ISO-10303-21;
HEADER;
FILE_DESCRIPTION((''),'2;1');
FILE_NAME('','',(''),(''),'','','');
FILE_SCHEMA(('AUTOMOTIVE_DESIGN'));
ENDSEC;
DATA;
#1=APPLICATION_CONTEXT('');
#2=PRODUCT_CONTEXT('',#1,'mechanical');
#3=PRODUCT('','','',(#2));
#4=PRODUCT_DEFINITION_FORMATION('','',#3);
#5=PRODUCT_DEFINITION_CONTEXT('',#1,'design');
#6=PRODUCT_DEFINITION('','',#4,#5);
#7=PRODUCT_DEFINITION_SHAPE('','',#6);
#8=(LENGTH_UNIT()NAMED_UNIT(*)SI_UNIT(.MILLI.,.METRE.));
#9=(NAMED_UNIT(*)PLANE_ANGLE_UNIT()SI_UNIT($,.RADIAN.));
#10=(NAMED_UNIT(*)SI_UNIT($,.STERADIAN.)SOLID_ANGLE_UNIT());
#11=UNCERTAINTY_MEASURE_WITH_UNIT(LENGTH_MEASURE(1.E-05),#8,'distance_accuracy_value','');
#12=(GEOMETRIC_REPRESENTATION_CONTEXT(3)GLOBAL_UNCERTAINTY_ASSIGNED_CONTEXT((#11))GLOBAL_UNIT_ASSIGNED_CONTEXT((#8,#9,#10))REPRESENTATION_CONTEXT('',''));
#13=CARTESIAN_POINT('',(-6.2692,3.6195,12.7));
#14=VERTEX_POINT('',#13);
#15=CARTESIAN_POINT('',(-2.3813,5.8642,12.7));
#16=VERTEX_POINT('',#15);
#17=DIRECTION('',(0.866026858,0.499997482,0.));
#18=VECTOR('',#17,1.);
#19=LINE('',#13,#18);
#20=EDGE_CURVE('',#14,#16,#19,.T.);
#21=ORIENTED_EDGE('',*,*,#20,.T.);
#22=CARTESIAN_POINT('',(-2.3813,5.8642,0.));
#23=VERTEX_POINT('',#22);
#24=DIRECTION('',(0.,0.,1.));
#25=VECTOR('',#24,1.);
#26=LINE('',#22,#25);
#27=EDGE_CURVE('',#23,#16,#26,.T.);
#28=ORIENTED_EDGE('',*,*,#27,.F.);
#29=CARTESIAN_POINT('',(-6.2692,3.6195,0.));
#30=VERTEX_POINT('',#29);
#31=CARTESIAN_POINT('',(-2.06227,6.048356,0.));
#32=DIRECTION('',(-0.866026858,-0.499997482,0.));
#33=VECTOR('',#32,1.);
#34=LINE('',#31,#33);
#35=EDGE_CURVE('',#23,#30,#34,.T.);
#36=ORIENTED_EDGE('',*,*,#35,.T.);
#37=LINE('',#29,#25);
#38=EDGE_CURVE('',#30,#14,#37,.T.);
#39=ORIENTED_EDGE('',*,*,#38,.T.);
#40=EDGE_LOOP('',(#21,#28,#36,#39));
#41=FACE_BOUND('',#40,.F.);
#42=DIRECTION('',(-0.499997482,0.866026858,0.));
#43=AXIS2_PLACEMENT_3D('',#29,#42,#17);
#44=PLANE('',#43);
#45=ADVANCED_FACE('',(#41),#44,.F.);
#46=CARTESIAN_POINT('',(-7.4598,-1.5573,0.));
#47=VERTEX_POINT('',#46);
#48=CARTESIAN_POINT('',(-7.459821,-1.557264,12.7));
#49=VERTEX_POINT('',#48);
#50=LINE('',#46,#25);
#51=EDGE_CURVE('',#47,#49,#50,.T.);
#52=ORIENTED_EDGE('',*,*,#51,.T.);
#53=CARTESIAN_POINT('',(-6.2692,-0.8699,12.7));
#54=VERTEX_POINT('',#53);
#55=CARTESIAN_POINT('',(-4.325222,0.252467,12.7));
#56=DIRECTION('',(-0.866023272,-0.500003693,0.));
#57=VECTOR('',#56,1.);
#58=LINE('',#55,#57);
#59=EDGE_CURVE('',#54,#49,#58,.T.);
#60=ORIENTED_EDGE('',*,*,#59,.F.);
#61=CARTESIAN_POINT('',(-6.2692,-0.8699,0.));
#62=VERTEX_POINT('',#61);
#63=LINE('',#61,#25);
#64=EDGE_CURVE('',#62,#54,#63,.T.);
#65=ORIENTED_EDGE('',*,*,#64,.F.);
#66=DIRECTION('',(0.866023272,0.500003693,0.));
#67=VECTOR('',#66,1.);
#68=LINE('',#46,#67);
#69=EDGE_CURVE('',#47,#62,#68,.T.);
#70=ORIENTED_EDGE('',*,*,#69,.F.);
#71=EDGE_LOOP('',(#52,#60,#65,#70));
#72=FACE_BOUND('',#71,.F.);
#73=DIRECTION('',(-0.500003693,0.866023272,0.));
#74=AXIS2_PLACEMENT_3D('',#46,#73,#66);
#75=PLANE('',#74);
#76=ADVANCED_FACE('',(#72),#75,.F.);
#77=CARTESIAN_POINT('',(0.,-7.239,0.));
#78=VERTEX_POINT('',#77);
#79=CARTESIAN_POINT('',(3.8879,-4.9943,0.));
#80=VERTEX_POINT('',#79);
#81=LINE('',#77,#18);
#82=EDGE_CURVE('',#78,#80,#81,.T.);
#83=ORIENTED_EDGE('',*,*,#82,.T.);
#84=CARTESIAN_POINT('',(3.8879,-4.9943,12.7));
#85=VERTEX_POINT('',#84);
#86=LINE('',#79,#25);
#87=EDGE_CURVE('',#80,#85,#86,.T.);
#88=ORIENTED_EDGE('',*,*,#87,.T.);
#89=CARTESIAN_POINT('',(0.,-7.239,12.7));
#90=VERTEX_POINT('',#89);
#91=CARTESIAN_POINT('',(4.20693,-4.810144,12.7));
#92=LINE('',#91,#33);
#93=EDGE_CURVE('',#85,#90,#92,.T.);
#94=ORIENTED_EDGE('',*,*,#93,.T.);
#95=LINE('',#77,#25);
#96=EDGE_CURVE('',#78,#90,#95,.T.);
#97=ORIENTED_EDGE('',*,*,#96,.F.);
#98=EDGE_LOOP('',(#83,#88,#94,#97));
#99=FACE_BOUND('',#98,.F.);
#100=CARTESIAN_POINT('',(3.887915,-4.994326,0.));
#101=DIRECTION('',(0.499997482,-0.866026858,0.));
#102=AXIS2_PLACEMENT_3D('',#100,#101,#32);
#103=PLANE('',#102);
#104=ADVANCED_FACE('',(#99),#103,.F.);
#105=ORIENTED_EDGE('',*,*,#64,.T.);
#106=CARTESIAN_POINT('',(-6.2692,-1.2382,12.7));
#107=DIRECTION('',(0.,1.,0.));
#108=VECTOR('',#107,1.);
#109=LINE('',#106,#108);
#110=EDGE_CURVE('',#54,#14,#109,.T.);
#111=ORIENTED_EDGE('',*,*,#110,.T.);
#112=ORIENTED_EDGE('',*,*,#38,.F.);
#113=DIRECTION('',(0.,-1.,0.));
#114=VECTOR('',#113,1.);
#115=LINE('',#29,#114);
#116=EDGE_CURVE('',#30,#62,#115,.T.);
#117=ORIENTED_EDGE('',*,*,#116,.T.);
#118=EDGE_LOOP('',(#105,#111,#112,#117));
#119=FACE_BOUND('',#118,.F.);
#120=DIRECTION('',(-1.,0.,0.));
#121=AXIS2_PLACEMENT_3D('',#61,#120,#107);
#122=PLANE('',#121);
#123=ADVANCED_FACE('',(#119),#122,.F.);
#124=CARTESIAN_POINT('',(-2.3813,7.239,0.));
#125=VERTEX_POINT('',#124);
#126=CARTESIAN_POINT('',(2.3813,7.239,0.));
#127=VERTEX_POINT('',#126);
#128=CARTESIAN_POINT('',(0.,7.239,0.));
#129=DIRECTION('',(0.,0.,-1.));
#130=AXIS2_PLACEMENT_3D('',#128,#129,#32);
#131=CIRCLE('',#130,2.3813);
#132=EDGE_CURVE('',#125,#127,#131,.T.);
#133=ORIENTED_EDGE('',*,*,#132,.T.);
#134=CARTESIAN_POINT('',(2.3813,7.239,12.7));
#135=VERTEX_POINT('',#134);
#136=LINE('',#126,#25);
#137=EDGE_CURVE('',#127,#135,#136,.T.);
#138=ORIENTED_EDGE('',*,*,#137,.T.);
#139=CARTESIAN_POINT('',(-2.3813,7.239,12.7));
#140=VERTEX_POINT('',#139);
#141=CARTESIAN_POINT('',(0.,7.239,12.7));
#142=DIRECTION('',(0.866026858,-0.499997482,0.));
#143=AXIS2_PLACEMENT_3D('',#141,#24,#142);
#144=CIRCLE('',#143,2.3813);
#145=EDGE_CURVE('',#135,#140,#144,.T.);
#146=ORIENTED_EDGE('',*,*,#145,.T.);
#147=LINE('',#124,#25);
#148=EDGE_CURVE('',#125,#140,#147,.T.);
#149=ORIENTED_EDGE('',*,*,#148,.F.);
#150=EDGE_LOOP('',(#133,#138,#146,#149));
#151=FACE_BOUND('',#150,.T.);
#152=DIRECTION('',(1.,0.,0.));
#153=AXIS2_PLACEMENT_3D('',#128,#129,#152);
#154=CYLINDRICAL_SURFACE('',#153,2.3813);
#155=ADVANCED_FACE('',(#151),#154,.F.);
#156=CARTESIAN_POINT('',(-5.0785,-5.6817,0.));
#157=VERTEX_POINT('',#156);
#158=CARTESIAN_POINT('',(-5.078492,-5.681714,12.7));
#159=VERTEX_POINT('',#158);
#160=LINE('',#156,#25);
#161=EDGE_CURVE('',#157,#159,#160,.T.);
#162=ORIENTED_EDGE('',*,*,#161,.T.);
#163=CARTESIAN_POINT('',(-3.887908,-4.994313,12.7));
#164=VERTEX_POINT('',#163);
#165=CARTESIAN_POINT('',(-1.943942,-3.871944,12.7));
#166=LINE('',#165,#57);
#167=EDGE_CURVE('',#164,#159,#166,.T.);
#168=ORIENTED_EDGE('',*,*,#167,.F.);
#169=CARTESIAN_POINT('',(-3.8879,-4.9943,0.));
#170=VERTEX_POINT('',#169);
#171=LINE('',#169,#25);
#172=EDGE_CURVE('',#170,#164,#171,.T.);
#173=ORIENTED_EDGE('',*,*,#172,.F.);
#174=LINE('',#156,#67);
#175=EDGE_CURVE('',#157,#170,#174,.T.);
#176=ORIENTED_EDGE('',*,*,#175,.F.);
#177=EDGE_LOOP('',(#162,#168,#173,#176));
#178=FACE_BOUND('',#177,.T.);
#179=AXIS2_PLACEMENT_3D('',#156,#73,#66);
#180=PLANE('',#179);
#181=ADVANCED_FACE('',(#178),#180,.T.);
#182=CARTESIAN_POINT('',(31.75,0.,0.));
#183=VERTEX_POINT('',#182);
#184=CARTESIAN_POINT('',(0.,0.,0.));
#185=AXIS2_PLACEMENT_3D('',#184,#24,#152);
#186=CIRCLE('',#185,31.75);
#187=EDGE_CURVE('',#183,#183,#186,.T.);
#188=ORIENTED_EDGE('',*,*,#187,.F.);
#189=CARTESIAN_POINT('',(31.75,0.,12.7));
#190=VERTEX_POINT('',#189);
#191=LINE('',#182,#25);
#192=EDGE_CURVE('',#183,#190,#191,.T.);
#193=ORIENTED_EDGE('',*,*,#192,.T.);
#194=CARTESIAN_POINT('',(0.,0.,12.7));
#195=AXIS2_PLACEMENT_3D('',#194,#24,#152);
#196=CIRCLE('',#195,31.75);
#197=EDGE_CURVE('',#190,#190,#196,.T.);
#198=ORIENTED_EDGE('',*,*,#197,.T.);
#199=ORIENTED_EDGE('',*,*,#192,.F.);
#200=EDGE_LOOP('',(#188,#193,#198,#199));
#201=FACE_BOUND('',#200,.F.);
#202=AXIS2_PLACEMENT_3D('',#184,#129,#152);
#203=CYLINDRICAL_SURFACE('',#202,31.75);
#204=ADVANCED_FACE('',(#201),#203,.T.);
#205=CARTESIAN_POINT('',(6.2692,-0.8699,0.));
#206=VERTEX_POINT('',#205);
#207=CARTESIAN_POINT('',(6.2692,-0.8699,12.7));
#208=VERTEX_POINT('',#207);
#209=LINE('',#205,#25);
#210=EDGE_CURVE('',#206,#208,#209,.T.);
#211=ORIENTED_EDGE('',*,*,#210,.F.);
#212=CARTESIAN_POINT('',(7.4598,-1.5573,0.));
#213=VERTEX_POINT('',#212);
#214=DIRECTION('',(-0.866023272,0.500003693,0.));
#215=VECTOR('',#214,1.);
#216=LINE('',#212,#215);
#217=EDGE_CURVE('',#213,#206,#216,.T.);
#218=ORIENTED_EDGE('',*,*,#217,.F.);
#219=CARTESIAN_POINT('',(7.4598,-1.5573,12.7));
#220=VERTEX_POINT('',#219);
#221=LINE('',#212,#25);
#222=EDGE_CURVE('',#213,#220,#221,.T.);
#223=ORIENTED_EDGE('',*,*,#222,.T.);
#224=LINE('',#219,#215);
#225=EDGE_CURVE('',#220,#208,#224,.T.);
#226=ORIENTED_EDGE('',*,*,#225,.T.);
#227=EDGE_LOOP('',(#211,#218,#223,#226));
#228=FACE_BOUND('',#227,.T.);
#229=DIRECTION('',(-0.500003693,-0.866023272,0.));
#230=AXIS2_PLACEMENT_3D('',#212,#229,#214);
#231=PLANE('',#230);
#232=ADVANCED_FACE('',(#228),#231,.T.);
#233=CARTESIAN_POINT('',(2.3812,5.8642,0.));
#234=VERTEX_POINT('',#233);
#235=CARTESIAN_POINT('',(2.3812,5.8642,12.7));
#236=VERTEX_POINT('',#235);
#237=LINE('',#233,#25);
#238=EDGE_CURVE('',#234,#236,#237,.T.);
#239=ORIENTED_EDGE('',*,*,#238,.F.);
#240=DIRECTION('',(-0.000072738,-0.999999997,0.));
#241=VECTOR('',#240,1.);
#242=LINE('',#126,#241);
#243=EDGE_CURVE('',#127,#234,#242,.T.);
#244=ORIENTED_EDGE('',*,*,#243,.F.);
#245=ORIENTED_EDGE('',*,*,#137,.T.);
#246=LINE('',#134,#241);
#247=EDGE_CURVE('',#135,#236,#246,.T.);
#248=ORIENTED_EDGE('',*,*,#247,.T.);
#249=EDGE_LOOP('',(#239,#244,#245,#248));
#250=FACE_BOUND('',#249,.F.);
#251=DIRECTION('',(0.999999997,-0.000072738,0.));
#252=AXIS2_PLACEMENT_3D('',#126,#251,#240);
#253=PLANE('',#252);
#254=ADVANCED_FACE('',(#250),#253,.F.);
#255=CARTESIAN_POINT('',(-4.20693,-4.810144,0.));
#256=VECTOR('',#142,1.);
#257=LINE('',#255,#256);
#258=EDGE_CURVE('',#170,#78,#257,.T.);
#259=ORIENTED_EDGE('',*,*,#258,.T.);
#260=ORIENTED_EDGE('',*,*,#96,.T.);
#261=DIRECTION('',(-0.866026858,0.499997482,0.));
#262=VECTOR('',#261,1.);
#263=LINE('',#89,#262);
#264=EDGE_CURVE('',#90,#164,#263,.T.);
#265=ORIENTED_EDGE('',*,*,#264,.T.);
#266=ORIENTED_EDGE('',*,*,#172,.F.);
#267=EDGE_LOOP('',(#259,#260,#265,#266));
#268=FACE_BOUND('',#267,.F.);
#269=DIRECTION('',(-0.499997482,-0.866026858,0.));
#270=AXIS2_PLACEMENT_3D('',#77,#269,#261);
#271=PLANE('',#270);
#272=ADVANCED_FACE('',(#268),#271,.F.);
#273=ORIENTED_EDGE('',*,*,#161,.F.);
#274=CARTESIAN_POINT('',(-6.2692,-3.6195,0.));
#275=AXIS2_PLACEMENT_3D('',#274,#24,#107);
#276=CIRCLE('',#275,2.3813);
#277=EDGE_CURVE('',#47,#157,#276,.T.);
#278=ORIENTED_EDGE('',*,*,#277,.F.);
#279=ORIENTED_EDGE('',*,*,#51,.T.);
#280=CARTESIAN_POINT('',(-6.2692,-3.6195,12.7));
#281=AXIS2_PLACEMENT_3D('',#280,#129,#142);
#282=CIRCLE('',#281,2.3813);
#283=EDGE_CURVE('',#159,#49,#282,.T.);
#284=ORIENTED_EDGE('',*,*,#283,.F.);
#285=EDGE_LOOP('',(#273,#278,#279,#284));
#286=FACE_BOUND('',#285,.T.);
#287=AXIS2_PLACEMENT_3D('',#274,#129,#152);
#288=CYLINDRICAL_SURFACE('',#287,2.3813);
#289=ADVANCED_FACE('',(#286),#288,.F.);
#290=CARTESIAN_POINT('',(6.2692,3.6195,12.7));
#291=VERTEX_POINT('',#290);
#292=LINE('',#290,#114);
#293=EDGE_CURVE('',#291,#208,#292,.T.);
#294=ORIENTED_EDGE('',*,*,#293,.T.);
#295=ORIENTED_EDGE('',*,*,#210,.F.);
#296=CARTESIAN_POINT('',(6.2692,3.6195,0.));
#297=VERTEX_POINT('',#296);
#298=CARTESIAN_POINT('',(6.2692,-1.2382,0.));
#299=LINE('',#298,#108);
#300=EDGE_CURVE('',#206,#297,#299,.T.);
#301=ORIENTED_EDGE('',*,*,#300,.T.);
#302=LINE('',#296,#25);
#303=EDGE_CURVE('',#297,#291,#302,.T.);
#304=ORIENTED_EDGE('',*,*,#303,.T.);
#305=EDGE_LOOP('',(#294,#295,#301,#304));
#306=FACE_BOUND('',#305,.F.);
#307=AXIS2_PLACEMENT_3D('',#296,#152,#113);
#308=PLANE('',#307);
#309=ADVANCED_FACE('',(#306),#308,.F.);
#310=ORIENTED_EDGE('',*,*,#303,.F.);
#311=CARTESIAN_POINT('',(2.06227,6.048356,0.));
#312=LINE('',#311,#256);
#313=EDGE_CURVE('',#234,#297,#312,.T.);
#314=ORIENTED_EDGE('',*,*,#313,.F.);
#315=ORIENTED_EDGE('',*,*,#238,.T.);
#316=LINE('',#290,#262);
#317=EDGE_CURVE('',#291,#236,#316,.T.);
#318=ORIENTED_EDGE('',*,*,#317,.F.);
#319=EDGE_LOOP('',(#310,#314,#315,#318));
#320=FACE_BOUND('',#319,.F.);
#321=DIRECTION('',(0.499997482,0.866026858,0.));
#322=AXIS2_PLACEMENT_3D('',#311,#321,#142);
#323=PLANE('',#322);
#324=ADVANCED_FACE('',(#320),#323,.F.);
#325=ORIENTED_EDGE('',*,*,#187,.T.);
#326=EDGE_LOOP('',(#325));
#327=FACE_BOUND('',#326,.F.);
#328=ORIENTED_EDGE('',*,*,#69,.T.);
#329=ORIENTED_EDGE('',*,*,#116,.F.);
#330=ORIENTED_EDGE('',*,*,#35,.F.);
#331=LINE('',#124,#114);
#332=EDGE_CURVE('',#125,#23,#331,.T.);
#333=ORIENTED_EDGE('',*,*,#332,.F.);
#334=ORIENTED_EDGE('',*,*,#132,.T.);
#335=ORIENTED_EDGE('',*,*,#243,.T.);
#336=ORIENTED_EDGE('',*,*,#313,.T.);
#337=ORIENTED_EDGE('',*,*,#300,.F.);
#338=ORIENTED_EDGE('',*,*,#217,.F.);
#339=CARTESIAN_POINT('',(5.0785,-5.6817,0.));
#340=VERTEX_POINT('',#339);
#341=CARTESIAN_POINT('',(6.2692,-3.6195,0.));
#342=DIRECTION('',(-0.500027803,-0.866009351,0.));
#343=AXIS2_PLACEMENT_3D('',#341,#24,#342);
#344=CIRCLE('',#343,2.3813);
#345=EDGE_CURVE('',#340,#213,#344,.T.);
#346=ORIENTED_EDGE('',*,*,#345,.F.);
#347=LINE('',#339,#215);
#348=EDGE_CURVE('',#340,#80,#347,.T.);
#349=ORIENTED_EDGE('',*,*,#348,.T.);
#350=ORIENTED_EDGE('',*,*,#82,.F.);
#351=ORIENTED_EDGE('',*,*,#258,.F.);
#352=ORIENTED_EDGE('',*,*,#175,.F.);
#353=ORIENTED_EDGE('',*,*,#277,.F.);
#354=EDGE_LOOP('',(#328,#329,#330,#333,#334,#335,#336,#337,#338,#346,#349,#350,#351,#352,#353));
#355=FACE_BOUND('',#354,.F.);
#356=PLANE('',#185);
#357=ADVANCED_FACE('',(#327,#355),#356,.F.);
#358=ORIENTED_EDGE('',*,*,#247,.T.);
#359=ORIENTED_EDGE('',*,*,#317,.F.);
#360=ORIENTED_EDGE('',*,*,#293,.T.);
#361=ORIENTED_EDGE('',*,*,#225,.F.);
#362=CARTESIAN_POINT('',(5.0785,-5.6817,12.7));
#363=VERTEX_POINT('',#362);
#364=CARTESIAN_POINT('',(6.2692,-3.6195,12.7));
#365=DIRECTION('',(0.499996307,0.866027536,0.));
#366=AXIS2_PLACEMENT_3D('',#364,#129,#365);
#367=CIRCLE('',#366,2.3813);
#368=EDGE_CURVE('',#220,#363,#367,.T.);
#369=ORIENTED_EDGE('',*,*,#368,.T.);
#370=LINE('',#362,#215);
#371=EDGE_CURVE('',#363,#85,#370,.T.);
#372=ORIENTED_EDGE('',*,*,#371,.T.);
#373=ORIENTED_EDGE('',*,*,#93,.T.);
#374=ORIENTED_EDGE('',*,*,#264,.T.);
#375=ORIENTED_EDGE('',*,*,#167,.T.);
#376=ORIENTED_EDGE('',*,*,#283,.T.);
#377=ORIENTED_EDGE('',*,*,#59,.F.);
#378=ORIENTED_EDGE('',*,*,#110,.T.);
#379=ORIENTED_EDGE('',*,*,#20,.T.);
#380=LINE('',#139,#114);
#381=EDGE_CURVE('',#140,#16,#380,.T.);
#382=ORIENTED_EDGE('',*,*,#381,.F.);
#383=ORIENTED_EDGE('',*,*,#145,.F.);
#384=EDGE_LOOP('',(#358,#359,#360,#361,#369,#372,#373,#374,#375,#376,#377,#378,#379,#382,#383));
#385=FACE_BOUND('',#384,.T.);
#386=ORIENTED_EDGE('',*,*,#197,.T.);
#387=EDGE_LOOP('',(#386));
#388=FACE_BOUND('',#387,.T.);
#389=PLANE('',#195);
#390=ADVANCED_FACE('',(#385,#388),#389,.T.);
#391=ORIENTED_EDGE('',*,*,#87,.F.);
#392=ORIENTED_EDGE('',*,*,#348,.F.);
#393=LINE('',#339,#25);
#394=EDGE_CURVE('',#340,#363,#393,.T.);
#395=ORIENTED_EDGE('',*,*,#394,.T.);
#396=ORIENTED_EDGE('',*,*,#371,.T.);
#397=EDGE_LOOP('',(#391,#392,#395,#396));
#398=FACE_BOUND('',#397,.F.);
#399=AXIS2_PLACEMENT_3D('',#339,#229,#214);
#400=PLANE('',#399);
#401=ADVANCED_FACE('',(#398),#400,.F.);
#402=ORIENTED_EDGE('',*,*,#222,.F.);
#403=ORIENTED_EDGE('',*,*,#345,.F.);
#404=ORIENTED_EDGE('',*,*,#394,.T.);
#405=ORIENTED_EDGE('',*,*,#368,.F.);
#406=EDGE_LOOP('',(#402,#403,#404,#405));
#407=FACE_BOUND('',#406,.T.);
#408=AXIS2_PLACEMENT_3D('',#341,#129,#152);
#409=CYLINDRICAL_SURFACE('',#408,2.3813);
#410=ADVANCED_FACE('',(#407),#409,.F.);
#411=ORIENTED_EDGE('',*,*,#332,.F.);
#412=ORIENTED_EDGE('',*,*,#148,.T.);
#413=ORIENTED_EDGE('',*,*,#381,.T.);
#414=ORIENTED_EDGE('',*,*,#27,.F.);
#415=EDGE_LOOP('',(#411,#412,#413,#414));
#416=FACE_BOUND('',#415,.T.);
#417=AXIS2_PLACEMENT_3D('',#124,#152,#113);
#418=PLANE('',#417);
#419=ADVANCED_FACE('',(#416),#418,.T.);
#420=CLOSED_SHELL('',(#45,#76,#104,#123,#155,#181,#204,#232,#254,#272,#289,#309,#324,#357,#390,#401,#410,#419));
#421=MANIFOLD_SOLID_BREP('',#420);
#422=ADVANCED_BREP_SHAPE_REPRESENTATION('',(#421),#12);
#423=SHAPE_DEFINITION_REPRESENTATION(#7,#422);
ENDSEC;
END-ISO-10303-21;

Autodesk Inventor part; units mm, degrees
ref_plane "YZ Plane" through (0, 0, 0) normal (1, 0, 0) x (0, 1, 0)
ref_plane "XZ Plane" through (0, 0, 0) normal (0, 1, 0) x (-1, 0, 0)
ref_plane "XY Plane" through (0, 0, 0) normal (0, 0, 1) x (1, 0, 0)
sketch "Sketch1" plane through (0, 0, 0) normal (0, 0, 1) x (1, 0, 0)
  line L0 (0, 0) -> (0, 7.239) construction
  line L1 (0, 0) -> (6.2692, 3.6195) construction
  line L2 (0, 0) -> (6.2692, -3.6195) construction
  line L3 (0, 0) -> (0, -7.239) construction
  line L4 (0, 0) -> (-6.2692, -3.6195) construction
  line L5 (0, 0) -> (-6.2692, 3.6195) construction
  line L6 (0, 7.239) -> (6.2692, 3.6195)
  line L7 (6.2692, 3.6195) -> (6.2692, -3.6195)
  line L8 (6.2692, -3.6195) -> (0, -7.239)
  line L9 (0, -7.239) -> (-6.2692, -3.6195)
  line L10 (-6.2692, -3.6195) -> (-6.2692, 3.6195)
  line L11 (-6.2692, 3.6195) -> (0, 7.239)
  circle A0 centre (0, 7.239) radius 2.3813
  circle A1 centre (6.2692, -3.6195) radius 2.3813
  circle A2 centre (-6.2692, -3.6195) radius 2.3813
  circle A3 centre (0, 0) radius 31.75
  line L12 (-2.3813, 7.239) -> (-2.3813, 5.8642)
  line L13 (2.3813, 7.239) -> (2.3812, 5.8642)
  line L14 (-2.3813, 7.239) -> (2.3813, 7.239)
  line L15 (-2.3813, 5.8642) -> (2.3812, 5.8642)
  line L16 (7.4598, -1.5573) -> (6.2692, -0.8699)
  line L17 (5.0785, -5.6817) -> (3.8879, -4.9943)
  line L18 (6.2692, -0.8699) -> (3.8879, -4.9943)
  line L19 (7.4598, -1.5573) -> (5.0785, -5.6817)
  line L20 (-7.4598, -1.5573) -> (-6.2692, -0.8699)
  line L21 (-5.0785, -5.6817) -> (-3.8879, -4.9943)
  line L22 (-7.4598, -1.5573) -> (-5.0785, -5.6817)
  line L23 (-3.8879, -4.9943) -> (-6.2692, -0.8699)
  dimension "d0" = 7.239
  dimension "d1" = 60
  dimension "d2" = 60
  dimension "d3" = 4.7625
  dimension "d4" = 4.7625
  dimension "d5" = 4.7625
  dimension "d6" = 63.5
extrude "Extrusion1" add sketch "Sketch1" along normal blind 12.7 contours L6 A0 L13 | L16 A1 L7 | A0 L11 L12 | A1 L17 L8 | L10 A2 L20 | L21 A2 L9 | A3
extrude "Extrusion2" cut sketch "Sketch1" along normal blind 12.7 contours L6 A0 L13 | L6 L7 L18 A1 L8 L9 L23 A2 L10 L11 L15 A0 | L6 L14 A0 | A0 L15 | L7 A1 L18 | L11 A0 L14 | A0 L11 L12 | L7 L8 A1 L18 | L18 A1 | A1 L8 L18 | L23 A2 L10 | A2 L23 L9 L10 | A2 L23 | L9 A2 L23
extrude "Extrusion3" cut sketch "Sketch1" along normal blind 12.7 contours L16 A1 L7 | A1 L19 L7 | A1 L19 | L19 A1 L8 | A1 L17 L8
extrude "Extrusion4" cut sketch "Sketch1" along normal through all contours L10 A2 L20 | L10 L22 A2 | L21 A2 L9 | L9 A2 L22
equation "\"d4\" = d3"
equation "\"d5\" = d3"
properties part number "augmented gear v3"
